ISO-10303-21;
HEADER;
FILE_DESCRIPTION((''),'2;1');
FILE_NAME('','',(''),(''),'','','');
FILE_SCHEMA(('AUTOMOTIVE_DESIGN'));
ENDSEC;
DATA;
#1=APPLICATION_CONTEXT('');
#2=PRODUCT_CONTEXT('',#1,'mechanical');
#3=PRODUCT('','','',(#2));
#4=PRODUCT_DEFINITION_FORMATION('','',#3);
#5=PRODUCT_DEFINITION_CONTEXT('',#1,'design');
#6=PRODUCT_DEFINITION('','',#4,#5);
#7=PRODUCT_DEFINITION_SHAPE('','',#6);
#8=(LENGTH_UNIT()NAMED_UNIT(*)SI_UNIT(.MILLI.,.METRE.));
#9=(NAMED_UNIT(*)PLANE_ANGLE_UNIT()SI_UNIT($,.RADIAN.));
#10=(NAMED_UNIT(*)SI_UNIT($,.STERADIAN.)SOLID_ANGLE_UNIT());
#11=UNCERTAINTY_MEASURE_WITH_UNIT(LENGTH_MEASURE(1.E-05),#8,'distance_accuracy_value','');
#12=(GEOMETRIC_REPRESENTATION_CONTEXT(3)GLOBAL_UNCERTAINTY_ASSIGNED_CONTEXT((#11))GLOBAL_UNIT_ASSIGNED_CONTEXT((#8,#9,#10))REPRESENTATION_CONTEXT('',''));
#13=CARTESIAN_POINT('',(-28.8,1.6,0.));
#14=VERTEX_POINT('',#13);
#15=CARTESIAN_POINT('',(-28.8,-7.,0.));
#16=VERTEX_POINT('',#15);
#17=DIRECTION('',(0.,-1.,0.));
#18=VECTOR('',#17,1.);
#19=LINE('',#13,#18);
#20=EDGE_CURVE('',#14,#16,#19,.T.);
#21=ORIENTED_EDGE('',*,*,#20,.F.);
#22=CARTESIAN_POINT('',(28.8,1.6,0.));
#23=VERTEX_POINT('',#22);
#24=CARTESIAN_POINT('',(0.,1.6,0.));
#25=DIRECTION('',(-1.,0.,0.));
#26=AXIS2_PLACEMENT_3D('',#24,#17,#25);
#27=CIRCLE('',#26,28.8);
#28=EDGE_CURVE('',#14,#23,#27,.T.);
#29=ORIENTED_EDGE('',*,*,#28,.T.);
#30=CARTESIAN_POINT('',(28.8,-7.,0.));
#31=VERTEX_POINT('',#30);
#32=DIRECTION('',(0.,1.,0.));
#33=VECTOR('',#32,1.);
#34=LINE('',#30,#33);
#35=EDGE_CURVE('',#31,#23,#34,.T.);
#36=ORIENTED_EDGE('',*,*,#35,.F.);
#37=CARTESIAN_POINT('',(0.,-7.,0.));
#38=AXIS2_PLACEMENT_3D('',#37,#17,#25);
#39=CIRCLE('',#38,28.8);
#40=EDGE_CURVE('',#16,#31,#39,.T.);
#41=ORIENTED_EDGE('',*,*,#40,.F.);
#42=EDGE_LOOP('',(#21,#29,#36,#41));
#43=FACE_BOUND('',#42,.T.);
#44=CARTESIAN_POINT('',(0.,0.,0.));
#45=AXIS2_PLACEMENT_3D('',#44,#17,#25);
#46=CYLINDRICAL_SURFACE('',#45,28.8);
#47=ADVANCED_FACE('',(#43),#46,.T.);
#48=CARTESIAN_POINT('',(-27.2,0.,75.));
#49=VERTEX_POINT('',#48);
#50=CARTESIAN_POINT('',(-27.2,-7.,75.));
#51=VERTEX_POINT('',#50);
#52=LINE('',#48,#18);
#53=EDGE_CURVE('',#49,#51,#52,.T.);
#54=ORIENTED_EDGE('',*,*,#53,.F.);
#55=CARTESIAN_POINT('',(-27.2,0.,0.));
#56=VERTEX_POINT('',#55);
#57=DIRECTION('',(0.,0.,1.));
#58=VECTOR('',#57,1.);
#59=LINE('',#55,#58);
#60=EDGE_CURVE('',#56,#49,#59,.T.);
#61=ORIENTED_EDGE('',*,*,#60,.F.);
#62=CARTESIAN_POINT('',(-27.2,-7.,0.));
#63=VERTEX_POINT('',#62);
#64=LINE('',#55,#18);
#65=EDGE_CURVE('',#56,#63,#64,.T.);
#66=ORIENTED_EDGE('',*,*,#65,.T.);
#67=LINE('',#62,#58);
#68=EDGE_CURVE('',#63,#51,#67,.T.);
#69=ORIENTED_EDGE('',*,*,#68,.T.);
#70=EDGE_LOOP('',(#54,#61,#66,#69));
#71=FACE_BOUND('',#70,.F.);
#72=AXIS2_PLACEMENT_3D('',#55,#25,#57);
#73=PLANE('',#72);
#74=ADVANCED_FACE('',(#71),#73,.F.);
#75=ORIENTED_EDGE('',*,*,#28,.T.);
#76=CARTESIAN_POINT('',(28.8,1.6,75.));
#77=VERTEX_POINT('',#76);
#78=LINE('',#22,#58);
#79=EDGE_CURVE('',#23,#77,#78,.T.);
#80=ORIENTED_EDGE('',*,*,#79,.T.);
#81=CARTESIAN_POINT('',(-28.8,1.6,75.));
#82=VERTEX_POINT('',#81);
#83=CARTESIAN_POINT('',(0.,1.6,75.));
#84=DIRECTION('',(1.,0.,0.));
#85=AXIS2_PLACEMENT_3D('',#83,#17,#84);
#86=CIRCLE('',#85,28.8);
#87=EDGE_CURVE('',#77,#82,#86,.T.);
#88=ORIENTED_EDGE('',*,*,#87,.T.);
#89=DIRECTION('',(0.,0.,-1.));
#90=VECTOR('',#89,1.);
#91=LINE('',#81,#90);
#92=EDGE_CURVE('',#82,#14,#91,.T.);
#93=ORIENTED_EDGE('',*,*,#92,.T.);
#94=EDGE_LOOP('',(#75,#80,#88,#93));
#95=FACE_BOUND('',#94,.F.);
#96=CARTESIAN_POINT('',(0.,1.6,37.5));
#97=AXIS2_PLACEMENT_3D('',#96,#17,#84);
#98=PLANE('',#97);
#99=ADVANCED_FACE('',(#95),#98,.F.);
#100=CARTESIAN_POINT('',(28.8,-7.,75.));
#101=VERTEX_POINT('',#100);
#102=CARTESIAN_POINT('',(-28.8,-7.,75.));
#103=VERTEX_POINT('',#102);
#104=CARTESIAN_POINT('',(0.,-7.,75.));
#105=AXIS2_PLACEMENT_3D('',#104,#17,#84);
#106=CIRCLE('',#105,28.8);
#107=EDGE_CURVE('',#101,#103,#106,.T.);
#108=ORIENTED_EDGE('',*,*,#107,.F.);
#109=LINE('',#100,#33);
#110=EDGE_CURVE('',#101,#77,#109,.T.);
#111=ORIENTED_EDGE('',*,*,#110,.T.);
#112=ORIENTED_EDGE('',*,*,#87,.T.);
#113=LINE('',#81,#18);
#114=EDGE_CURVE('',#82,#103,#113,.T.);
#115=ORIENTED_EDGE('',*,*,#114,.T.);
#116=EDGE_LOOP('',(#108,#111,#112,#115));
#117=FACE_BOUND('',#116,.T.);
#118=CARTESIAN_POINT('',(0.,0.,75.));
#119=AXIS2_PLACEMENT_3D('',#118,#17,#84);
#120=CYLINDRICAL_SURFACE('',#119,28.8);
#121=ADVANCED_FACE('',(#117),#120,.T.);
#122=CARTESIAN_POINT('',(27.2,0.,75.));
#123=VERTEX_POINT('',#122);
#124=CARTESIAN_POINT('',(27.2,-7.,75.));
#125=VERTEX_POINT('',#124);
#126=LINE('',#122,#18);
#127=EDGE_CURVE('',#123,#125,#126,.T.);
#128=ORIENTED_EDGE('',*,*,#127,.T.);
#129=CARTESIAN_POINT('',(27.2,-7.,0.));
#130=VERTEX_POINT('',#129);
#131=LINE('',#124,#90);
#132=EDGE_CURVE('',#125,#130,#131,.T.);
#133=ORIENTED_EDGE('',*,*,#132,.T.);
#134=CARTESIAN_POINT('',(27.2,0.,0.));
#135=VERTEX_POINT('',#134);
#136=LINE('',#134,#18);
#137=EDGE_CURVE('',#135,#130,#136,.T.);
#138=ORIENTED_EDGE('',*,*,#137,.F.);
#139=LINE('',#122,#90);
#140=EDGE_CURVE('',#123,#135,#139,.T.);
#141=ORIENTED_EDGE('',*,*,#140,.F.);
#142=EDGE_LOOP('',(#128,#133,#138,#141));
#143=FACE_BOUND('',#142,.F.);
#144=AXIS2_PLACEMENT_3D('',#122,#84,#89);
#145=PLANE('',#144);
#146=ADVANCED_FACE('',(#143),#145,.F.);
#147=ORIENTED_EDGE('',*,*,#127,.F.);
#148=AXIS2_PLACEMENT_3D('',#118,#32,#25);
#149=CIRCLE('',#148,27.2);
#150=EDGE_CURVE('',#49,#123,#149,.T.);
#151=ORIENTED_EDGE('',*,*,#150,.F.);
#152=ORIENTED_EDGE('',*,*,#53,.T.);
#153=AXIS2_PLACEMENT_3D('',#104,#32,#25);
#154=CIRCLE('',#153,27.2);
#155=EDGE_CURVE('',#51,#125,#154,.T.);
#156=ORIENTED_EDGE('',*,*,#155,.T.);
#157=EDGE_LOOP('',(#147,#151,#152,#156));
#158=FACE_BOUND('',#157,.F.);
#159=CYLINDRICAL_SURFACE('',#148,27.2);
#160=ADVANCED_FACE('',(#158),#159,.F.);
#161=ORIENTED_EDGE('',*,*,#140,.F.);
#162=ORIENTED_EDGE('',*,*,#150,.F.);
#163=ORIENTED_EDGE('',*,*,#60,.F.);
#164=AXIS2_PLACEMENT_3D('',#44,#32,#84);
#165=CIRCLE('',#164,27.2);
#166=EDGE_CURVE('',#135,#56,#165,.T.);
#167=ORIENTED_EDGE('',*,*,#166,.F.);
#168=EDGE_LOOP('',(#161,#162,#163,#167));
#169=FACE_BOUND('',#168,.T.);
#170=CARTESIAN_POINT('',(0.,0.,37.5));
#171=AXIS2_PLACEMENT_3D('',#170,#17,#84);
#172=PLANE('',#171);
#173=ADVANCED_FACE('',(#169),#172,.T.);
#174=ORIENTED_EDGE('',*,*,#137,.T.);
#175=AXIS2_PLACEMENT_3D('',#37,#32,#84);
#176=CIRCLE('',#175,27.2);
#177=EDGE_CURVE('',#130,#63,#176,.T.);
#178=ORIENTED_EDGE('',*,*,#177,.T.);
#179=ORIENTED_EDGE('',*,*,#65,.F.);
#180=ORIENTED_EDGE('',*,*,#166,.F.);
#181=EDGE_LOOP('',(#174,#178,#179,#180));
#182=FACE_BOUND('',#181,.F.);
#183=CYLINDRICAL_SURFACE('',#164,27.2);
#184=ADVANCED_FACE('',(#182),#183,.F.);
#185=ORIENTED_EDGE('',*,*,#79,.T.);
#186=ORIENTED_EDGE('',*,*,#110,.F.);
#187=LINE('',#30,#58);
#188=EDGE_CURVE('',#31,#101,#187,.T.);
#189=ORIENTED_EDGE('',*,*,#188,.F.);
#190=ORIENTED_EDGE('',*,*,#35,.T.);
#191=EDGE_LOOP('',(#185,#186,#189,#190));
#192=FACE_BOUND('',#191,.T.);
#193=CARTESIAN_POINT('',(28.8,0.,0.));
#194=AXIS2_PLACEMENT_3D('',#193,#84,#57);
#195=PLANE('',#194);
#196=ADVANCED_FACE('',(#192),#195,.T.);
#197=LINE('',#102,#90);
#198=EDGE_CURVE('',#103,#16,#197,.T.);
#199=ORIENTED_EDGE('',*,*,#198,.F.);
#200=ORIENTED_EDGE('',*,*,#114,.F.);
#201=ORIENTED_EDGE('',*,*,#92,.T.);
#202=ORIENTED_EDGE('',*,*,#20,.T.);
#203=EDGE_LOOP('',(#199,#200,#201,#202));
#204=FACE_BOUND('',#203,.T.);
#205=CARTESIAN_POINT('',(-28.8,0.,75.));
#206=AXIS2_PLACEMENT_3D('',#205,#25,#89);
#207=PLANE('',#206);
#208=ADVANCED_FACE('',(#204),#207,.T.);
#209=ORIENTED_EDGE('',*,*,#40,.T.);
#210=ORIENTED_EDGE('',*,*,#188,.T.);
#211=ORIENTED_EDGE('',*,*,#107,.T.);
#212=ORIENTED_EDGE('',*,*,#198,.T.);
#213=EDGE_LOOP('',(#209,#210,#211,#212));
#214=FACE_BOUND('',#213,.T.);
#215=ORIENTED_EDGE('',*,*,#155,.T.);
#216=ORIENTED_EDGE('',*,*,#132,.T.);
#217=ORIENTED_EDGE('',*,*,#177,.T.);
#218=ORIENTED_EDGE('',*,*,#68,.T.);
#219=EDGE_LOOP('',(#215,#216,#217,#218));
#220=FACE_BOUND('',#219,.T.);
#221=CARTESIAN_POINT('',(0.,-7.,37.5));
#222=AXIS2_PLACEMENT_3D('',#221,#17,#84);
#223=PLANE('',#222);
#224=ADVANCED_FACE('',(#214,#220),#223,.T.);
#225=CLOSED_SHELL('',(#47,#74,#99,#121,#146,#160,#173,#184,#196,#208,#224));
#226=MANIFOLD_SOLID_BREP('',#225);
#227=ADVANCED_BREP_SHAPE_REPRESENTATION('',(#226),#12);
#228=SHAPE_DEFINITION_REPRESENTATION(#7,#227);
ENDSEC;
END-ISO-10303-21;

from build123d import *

# Parameters (mm, degrees)
F3_DEPTH = 7
F4_DEPTH = 1.6


with BuildPart() as f3:
    # F2 (on Front) → F3 (new body)
    with BuildSketch(Plane.XZ):
        with BuildLine():
            ThreePointArc((28.8, 75), (0, 103.8), (-28.8, 75))
            Line((-28.8, 75), (-28.8, 0))
            ThreePointArc((-28.8, 0), (0, -28.8), (28.8, 0))
            Line((28.8, 0), (28.8, 75))
        make_face()
        with BuildLine():
            Line((27.2, 75), (27.2, 0))
            ThreePointArc((27.2, 0), (0, -27.2), (-27.2, 0))
            Line((-27.2, 0), (-27.2, 75))
            ThreePointArc((-27.2, 75), (0, 102.2), (27.2, 75))
        make_face(mode=Mode.SUBTRACT)
    extrude(amount=F3_DEPTH)

    # F2 (on Front) → F4 (join)
    with BuildSketch(Plane.XZ):
        with BuildLine():
            ThreePointArc((28.8, 75), (0, 103.8), (-28.8, 75))
            Line((-28.8, 75), (-28.8, 0))
            ThreePointArc((-28.8, 0), (0, -28.8), (28.8, 0))
            Line((28.8, 0), (28.8, 75))
        make_face()
        with BuildLine():
            Line((27.2, 75), (27.2, 0))
            ThreePointArc((27.2, 0), (0, -27.2), (-27.2, 0))
            Line((-27.2, 0), (-27.2, 75))
            ThreePointArc((-27.2, 75), (0, 102.2), (27.2, 75))
        make_face(mode=Mode.SUBTRACT)
        with BuildLine():
            ThreePointArc((-27.2, 0), (0, -27.2), (27.2, 0))
            Line((27.2, 0), (27.2, 75))
            ThreePointArc((27.2, 75), (0, 102.2), (-27.2, 75))
            Line((-27.2, 75), (-27.2, 0))
        make_face()
    extrude(amount=-F4_DEPTH)


solid = f3.part
